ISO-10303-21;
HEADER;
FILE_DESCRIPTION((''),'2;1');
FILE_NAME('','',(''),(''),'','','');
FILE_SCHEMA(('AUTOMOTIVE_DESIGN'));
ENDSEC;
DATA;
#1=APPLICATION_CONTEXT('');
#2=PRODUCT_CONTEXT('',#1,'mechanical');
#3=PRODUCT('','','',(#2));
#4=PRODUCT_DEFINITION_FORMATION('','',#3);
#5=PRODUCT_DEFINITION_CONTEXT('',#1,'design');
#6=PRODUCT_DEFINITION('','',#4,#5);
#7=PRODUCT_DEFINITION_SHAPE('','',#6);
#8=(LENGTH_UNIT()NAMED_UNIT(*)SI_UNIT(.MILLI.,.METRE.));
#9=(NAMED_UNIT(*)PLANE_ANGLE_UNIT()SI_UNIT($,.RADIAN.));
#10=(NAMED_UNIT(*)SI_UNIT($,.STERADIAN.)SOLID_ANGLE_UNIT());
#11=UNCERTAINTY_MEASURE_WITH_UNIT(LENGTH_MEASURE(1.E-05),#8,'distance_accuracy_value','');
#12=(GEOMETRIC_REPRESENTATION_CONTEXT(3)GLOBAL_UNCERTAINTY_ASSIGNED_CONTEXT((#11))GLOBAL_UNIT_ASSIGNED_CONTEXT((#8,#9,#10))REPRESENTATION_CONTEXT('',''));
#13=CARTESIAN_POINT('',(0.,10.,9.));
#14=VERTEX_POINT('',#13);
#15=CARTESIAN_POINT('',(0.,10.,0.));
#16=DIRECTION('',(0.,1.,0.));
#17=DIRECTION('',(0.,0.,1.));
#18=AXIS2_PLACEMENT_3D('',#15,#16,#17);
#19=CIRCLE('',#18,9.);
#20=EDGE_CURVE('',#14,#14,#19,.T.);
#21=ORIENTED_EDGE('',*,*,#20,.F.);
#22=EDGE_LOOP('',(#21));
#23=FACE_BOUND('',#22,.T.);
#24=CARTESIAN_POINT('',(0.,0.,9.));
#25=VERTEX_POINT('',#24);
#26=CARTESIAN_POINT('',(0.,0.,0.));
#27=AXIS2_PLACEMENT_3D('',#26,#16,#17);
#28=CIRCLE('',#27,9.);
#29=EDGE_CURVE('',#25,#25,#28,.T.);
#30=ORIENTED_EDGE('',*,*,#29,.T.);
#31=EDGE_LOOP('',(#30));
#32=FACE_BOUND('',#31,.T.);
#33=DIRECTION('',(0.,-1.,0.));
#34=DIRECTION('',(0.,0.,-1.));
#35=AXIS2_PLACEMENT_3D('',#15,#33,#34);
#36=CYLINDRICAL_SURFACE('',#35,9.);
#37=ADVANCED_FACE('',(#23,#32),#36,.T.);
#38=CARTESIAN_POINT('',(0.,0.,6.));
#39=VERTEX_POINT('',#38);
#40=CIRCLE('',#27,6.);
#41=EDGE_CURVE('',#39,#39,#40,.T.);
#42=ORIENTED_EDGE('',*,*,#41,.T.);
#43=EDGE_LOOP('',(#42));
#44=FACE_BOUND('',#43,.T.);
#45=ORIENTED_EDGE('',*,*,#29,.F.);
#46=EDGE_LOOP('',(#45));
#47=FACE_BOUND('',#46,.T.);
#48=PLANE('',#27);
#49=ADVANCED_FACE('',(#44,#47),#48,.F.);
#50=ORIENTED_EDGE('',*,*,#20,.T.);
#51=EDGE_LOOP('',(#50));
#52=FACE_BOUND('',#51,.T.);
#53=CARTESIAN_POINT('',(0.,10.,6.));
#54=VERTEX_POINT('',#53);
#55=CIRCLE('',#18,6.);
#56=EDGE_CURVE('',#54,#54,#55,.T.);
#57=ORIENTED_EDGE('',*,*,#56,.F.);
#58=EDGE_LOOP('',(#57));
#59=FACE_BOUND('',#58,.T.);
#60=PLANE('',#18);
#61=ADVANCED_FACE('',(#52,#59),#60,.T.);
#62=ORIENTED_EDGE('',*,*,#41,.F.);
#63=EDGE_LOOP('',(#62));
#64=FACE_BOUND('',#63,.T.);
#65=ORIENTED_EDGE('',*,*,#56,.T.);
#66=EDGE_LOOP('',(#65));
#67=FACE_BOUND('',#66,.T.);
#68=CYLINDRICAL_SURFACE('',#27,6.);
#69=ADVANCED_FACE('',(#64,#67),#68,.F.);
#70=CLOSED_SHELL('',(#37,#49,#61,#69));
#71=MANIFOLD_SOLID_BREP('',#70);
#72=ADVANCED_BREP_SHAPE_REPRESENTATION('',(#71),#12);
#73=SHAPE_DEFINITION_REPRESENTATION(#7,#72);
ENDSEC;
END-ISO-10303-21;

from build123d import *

# Parameters (mm, degrees)
SKETCH1_R           = 9
BOSS_EXTRUDE1_DEPTH = 10
SKETCH2_R           = 6
CUT_EXTRUDE1_DEPTH  = 10


with BuildPart() as part:
    # Sketch1 → Boss-Extrude1 (new body)
    with BuildSketch(Plane(origin=(0, 0, 0), x_dir=(1, 0, 0), z_dir=(0, 1, 0))):
        Circle(SKETCH1_R)
    extrude(amount=BOSS_EXTRUDE1_DEPTH)

    # Sketch2 → Cut-Extrude1 (cut)
    with BuildSketch(Plane(origin=(0, 10, 0), x_dir=(1, 0, 0), z_dir=(0, 1, 0))):
        Circle(SKETCH2_R)
    extrude(amount=-CUT_EXTRUDE1_DEPTH, mode=Mode.SUBTRACT)


solid = part.part
